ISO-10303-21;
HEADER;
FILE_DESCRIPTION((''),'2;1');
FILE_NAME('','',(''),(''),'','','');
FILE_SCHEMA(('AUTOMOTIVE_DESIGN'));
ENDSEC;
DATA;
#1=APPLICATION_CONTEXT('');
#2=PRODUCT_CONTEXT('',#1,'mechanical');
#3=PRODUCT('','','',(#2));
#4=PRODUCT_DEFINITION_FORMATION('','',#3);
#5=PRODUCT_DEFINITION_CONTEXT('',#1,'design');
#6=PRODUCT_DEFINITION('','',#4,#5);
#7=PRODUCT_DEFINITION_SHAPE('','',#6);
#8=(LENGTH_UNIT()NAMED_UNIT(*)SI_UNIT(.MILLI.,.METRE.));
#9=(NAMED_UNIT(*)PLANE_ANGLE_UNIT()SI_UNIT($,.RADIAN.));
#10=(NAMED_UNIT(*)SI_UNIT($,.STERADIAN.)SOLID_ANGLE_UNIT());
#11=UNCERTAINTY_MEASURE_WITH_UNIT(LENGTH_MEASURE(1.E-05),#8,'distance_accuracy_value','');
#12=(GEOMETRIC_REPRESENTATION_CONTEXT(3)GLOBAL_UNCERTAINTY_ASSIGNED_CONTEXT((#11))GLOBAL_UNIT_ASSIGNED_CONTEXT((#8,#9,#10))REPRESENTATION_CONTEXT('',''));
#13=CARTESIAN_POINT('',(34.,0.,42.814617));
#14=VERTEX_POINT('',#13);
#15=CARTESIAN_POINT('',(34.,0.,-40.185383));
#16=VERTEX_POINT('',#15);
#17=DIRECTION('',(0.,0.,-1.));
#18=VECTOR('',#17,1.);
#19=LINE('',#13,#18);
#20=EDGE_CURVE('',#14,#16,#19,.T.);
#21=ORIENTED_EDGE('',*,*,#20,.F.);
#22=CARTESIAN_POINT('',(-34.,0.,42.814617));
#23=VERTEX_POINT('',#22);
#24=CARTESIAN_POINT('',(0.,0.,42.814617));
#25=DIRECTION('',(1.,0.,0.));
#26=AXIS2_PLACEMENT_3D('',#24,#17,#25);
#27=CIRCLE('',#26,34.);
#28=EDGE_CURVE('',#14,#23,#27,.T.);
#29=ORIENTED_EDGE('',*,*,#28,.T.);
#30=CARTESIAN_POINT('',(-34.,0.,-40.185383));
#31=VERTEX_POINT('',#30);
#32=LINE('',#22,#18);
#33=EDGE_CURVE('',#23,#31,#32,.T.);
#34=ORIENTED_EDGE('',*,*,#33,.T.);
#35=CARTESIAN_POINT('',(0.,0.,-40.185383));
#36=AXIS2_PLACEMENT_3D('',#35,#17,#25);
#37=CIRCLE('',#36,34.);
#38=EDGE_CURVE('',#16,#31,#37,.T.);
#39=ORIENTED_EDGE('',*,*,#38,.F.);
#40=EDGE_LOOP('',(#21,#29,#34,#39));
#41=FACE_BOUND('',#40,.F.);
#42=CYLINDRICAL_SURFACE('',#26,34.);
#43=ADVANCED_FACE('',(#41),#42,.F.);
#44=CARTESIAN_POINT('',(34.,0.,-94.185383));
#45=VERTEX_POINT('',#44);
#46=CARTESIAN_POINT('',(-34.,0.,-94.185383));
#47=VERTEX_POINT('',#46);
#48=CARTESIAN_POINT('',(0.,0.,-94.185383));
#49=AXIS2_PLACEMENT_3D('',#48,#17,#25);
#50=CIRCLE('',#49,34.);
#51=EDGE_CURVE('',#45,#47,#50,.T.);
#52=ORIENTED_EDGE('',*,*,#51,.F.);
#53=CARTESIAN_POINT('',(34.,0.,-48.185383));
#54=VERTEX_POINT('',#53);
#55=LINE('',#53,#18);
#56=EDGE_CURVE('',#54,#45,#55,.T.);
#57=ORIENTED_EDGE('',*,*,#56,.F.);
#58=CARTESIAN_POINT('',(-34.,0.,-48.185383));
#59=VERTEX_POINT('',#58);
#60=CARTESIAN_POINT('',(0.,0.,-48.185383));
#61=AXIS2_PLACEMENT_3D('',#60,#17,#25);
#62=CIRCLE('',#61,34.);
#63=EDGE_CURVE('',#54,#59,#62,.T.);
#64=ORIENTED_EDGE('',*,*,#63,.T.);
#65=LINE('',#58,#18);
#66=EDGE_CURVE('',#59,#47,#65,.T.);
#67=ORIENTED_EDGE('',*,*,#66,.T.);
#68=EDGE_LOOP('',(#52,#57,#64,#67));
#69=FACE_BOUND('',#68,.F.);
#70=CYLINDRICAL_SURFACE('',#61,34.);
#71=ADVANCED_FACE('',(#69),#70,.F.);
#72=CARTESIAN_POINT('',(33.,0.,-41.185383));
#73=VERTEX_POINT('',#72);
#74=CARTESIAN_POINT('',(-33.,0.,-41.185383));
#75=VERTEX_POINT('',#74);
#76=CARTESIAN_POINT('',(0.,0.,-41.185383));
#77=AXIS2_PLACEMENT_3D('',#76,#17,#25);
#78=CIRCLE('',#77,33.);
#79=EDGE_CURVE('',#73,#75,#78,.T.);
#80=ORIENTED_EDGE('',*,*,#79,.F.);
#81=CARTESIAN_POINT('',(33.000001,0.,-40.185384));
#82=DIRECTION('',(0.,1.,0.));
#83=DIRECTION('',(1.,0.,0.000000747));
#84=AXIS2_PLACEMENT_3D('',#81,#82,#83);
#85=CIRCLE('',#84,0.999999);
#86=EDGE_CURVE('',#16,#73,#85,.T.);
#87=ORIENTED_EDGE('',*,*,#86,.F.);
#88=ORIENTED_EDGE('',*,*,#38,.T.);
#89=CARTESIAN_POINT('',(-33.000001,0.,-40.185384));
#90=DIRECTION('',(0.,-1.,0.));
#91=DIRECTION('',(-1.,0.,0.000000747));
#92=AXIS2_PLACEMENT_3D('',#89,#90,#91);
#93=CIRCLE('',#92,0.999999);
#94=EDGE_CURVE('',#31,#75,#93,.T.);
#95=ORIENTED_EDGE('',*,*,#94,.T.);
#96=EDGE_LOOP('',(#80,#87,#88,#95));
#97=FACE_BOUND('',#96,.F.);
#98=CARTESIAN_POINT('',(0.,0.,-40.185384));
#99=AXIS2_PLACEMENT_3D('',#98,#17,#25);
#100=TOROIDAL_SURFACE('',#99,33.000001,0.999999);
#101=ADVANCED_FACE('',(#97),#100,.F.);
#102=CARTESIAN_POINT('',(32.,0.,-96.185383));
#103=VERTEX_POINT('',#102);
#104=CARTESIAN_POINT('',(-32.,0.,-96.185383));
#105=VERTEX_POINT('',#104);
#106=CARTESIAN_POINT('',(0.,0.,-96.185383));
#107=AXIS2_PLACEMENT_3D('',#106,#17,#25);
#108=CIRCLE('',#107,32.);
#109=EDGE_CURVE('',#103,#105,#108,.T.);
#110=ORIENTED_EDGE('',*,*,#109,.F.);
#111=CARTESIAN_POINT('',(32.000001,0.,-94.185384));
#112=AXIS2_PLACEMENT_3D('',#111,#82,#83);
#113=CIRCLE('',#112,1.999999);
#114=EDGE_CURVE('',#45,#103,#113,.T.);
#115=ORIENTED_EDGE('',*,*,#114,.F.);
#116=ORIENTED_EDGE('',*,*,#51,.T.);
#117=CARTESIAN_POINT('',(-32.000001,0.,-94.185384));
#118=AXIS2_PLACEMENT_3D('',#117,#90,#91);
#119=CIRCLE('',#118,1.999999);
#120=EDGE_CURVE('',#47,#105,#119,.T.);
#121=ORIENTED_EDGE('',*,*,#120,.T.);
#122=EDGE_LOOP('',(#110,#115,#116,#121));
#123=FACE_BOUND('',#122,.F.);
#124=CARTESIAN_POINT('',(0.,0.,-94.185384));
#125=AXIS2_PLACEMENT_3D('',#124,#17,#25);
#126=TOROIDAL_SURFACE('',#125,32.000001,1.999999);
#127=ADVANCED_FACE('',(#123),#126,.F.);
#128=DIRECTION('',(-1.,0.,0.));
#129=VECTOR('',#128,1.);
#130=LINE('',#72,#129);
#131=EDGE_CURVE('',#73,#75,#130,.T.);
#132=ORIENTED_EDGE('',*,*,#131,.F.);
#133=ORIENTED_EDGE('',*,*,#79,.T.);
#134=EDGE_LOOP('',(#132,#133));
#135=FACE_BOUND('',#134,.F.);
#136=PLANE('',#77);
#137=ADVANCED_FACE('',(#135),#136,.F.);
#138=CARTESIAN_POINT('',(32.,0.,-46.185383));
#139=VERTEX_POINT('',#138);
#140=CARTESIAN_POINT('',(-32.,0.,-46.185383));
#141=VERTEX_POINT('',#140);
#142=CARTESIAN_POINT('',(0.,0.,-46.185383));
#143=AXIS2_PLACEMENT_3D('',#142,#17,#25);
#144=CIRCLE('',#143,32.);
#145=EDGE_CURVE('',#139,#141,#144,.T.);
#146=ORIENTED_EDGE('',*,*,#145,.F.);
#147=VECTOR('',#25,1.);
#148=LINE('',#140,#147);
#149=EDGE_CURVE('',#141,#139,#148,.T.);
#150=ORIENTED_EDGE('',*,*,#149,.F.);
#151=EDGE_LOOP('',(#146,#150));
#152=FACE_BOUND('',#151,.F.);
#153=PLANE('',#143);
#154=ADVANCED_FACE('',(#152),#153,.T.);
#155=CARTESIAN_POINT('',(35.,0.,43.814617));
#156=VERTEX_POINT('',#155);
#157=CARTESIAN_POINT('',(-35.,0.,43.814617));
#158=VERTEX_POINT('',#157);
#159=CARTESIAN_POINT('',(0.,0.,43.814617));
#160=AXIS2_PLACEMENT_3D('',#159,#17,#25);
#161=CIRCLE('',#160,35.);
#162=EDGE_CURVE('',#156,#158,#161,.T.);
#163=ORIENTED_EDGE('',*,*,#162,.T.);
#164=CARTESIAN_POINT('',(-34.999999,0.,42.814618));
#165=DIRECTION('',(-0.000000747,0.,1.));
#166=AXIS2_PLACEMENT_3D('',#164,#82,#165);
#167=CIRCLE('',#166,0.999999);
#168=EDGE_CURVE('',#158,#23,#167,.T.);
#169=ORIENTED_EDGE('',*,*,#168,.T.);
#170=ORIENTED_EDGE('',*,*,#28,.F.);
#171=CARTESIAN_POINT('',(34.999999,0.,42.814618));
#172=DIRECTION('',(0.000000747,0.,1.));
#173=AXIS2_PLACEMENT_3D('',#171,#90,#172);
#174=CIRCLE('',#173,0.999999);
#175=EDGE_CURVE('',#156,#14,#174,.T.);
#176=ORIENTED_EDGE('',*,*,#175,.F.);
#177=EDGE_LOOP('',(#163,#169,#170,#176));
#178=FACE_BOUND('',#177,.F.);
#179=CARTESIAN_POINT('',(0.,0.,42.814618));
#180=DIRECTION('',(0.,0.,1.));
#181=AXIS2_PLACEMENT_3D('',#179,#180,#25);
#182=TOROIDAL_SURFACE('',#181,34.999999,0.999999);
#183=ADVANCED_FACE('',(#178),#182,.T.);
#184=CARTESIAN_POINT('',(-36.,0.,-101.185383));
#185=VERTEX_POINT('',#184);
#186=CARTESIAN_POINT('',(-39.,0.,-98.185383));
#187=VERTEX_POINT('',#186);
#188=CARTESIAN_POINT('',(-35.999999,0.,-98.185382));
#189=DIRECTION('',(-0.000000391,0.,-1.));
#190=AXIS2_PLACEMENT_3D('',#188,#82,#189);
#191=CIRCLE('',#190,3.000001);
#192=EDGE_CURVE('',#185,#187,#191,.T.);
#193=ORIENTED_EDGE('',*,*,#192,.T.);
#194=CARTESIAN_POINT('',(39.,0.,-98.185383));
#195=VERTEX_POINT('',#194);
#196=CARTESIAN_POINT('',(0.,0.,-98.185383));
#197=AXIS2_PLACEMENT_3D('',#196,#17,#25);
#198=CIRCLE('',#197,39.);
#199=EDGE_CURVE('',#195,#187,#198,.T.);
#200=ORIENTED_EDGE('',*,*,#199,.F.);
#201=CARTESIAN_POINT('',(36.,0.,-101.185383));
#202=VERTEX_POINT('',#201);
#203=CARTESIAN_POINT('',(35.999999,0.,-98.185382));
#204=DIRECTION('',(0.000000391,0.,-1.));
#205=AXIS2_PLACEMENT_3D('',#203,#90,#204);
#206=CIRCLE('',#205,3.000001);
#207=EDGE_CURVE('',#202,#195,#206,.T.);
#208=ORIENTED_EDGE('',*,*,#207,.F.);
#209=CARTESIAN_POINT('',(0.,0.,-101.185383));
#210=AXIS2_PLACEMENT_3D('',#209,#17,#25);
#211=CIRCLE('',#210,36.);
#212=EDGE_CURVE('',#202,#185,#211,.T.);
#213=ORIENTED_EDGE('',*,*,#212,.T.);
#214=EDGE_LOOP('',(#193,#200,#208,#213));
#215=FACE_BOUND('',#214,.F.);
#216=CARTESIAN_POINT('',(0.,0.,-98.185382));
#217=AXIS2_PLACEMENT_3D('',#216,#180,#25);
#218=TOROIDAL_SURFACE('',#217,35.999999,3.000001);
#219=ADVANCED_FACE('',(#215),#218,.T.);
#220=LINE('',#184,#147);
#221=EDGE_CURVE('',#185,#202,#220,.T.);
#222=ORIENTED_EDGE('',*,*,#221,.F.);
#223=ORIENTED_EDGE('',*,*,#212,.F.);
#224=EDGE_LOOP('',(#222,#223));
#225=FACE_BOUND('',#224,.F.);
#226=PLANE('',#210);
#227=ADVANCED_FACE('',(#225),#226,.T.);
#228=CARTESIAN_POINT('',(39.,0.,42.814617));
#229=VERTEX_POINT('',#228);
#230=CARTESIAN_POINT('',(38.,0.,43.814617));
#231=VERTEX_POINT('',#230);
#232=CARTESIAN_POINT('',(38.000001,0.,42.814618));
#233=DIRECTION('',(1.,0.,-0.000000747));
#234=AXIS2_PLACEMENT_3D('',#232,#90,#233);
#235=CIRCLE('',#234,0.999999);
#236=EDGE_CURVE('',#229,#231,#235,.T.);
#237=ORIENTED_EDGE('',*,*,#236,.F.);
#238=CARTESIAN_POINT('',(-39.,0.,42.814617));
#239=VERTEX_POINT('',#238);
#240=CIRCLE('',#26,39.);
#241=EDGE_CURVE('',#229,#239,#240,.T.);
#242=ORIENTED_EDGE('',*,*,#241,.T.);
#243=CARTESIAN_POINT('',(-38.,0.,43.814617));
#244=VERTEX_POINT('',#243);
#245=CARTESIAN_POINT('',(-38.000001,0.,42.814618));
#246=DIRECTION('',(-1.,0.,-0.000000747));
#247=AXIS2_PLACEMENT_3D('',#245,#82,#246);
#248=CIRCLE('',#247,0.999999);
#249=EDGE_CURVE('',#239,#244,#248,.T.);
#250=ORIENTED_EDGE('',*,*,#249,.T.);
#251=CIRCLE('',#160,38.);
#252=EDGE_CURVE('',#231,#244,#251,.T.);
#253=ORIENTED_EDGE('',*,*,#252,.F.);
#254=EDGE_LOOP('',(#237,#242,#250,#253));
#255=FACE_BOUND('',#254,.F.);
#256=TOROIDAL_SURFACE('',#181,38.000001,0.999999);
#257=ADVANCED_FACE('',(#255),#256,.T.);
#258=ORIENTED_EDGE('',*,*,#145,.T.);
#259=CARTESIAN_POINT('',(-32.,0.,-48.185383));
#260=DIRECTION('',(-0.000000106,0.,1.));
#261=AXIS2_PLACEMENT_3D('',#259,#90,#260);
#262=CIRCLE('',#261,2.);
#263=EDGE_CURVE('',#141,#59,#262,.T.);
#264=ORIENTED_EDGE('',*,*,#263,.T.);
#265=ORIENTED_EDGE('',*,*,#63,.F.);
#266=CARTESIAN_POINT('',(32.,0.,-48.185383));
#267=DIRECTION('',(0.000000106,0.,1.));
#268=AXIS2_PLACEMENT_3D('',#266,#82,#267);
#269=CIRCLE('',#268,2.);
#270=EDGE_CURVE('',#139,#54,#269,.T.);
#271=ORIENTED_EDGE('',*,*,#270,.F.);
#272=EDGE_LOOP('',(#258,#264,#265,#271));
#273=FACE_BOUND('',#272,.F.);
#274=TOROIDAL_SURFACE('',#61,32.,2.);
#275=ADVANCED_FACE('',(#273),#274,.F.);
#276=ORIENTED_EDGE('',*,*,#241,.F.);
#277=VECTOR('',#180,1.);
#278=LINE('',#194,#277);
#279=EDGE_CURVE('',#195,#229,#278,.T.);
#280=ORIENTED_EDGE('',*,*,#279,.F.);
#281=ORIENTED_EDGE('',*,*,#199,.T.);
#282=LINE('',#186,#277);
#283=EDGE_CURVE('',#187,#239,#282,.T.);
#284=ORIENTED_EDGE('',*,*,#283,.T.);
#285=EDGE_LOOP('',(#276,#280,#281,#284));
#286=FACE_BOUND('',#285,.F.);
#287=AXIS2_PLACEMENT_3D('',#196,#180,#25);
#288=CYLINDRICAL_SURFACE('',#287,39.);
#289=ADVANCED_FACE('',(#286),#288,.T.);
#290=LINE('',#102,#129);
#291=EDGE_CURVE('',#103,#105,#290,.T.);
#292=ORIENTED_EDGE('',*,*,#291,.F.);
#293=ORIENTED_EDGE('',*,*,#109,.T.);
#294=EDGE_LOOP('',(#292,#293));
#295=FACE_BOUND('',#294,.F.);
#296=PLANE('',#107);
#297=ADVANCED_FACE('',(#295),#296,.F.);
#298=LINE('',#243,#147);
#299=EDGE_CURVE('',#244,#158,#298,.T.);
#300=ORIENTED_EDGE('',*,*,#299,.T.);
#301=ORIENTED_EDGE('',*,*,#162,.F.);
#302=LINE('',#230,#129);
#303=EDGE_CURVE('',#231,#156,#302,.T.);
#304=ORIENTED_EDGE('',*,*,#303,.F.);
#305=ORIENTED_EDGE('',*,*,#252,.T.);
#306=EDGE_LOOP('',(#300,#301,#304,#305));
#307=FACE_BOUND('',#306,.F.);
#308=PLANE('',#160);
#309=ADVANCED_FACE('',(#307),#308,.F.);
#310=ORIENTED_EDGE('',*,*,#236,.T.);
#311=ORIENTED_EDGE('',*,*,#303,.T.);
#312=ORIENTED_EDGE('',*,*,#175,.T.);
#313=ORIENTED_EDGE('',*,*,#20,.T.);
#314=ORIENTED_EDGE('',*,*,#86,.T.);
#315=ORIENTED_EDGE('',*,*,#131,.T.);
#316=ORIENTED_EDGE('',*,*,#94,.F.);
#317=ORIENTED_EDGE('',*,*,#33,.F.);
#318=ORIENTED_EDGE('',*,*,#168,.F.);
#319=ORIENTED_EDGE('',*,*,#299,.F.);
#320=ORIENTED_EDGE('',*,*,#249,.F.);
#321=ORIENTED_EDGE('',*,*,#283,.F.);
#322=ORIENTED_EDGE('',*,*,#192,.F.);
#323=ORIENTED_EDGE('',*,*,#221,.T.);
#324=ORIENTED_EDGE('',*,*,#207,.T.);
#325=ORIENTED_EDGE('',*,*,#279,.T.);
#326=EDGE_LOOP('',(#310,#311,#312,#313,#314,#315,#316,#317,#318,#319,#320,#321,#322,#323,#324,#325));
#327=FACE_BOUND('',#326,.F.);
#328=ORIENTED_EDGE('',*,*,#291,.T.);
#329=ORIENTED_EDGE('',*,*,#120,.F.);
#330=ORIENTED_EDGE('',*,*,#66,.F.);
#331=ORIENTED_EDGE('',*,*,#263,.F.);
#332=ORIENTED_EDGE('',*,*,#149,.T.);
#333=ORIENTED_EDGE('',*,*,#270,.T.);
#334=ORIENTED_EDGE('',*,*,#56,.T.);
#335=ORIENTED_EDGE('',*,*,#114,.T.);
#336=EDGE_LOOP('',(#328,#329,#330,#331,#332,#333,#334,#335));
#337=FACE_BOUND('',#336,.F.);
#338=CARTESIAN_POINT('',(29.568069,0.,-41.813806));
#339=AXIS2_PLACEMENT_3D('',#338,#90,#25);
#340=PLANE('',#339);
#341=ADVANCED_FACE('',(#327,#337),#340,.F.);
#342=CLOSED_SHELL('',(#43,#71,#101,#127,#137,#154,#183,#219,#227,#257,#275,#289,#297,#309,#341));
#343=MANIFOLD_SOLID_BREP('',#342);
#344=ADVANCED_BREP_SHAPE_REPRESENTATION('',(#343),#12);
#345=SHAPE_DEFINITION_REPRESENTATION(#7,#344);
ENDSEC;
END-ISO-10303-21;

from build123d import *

# Parameters (mm, degrees)
F1_ANGLE = 180


with BuildPart() as f1:
    # F0 (on Front) → F1 (revolve)
    with BuildSketch(Plane.XZ):
        with BuildLine():
            ThreePointArc((39, 42.814617), (38.707107, 43.521724), (38, 43.814617))
            Line((38, 43.814617), (35, 43.814617))
            ThreePointArc((35, 43.814617), (34.292893, 43.521724), (34, 42.814617))
            Line((34, 42.814617), (34, -40.185383))
            ThreePointArc((34, -40.185383), (33.707107, -40.89249), (33, -41.185383))
            Line((33, -41.185383), (0, -41.185383))
            Line((0, -41.185383), (0, -46.185383))
            Line((0, -46.185383), (32, -46.185383))
            ThreePointArc((32, -46.185383), (33.414214, -46.77117), (34, -48.185383))
            Line((34, -48.185383), (34, -94.185383))
            ThreePointArc((34, -94.185383), (33.414214, -95.599597), (32, -96.185383))
            Line((32, -96.185383), (0, -96.185383))
            Line((0, -96.185383), (0, -101.185383))
            Line((0, -101.185383), (36, -101.185383))
            ThreePointArc((36, -101.185383), (38.12132, -100.306703), (39, -98.185383))
            Line((39, -98.185383), (39, 42.814617))
        make_face()
    revolve(axis=Axis((0, 0, -39.313186), (0, 0, -1)), revolution_arc=F1_ANGLE)


solid = f1.part
